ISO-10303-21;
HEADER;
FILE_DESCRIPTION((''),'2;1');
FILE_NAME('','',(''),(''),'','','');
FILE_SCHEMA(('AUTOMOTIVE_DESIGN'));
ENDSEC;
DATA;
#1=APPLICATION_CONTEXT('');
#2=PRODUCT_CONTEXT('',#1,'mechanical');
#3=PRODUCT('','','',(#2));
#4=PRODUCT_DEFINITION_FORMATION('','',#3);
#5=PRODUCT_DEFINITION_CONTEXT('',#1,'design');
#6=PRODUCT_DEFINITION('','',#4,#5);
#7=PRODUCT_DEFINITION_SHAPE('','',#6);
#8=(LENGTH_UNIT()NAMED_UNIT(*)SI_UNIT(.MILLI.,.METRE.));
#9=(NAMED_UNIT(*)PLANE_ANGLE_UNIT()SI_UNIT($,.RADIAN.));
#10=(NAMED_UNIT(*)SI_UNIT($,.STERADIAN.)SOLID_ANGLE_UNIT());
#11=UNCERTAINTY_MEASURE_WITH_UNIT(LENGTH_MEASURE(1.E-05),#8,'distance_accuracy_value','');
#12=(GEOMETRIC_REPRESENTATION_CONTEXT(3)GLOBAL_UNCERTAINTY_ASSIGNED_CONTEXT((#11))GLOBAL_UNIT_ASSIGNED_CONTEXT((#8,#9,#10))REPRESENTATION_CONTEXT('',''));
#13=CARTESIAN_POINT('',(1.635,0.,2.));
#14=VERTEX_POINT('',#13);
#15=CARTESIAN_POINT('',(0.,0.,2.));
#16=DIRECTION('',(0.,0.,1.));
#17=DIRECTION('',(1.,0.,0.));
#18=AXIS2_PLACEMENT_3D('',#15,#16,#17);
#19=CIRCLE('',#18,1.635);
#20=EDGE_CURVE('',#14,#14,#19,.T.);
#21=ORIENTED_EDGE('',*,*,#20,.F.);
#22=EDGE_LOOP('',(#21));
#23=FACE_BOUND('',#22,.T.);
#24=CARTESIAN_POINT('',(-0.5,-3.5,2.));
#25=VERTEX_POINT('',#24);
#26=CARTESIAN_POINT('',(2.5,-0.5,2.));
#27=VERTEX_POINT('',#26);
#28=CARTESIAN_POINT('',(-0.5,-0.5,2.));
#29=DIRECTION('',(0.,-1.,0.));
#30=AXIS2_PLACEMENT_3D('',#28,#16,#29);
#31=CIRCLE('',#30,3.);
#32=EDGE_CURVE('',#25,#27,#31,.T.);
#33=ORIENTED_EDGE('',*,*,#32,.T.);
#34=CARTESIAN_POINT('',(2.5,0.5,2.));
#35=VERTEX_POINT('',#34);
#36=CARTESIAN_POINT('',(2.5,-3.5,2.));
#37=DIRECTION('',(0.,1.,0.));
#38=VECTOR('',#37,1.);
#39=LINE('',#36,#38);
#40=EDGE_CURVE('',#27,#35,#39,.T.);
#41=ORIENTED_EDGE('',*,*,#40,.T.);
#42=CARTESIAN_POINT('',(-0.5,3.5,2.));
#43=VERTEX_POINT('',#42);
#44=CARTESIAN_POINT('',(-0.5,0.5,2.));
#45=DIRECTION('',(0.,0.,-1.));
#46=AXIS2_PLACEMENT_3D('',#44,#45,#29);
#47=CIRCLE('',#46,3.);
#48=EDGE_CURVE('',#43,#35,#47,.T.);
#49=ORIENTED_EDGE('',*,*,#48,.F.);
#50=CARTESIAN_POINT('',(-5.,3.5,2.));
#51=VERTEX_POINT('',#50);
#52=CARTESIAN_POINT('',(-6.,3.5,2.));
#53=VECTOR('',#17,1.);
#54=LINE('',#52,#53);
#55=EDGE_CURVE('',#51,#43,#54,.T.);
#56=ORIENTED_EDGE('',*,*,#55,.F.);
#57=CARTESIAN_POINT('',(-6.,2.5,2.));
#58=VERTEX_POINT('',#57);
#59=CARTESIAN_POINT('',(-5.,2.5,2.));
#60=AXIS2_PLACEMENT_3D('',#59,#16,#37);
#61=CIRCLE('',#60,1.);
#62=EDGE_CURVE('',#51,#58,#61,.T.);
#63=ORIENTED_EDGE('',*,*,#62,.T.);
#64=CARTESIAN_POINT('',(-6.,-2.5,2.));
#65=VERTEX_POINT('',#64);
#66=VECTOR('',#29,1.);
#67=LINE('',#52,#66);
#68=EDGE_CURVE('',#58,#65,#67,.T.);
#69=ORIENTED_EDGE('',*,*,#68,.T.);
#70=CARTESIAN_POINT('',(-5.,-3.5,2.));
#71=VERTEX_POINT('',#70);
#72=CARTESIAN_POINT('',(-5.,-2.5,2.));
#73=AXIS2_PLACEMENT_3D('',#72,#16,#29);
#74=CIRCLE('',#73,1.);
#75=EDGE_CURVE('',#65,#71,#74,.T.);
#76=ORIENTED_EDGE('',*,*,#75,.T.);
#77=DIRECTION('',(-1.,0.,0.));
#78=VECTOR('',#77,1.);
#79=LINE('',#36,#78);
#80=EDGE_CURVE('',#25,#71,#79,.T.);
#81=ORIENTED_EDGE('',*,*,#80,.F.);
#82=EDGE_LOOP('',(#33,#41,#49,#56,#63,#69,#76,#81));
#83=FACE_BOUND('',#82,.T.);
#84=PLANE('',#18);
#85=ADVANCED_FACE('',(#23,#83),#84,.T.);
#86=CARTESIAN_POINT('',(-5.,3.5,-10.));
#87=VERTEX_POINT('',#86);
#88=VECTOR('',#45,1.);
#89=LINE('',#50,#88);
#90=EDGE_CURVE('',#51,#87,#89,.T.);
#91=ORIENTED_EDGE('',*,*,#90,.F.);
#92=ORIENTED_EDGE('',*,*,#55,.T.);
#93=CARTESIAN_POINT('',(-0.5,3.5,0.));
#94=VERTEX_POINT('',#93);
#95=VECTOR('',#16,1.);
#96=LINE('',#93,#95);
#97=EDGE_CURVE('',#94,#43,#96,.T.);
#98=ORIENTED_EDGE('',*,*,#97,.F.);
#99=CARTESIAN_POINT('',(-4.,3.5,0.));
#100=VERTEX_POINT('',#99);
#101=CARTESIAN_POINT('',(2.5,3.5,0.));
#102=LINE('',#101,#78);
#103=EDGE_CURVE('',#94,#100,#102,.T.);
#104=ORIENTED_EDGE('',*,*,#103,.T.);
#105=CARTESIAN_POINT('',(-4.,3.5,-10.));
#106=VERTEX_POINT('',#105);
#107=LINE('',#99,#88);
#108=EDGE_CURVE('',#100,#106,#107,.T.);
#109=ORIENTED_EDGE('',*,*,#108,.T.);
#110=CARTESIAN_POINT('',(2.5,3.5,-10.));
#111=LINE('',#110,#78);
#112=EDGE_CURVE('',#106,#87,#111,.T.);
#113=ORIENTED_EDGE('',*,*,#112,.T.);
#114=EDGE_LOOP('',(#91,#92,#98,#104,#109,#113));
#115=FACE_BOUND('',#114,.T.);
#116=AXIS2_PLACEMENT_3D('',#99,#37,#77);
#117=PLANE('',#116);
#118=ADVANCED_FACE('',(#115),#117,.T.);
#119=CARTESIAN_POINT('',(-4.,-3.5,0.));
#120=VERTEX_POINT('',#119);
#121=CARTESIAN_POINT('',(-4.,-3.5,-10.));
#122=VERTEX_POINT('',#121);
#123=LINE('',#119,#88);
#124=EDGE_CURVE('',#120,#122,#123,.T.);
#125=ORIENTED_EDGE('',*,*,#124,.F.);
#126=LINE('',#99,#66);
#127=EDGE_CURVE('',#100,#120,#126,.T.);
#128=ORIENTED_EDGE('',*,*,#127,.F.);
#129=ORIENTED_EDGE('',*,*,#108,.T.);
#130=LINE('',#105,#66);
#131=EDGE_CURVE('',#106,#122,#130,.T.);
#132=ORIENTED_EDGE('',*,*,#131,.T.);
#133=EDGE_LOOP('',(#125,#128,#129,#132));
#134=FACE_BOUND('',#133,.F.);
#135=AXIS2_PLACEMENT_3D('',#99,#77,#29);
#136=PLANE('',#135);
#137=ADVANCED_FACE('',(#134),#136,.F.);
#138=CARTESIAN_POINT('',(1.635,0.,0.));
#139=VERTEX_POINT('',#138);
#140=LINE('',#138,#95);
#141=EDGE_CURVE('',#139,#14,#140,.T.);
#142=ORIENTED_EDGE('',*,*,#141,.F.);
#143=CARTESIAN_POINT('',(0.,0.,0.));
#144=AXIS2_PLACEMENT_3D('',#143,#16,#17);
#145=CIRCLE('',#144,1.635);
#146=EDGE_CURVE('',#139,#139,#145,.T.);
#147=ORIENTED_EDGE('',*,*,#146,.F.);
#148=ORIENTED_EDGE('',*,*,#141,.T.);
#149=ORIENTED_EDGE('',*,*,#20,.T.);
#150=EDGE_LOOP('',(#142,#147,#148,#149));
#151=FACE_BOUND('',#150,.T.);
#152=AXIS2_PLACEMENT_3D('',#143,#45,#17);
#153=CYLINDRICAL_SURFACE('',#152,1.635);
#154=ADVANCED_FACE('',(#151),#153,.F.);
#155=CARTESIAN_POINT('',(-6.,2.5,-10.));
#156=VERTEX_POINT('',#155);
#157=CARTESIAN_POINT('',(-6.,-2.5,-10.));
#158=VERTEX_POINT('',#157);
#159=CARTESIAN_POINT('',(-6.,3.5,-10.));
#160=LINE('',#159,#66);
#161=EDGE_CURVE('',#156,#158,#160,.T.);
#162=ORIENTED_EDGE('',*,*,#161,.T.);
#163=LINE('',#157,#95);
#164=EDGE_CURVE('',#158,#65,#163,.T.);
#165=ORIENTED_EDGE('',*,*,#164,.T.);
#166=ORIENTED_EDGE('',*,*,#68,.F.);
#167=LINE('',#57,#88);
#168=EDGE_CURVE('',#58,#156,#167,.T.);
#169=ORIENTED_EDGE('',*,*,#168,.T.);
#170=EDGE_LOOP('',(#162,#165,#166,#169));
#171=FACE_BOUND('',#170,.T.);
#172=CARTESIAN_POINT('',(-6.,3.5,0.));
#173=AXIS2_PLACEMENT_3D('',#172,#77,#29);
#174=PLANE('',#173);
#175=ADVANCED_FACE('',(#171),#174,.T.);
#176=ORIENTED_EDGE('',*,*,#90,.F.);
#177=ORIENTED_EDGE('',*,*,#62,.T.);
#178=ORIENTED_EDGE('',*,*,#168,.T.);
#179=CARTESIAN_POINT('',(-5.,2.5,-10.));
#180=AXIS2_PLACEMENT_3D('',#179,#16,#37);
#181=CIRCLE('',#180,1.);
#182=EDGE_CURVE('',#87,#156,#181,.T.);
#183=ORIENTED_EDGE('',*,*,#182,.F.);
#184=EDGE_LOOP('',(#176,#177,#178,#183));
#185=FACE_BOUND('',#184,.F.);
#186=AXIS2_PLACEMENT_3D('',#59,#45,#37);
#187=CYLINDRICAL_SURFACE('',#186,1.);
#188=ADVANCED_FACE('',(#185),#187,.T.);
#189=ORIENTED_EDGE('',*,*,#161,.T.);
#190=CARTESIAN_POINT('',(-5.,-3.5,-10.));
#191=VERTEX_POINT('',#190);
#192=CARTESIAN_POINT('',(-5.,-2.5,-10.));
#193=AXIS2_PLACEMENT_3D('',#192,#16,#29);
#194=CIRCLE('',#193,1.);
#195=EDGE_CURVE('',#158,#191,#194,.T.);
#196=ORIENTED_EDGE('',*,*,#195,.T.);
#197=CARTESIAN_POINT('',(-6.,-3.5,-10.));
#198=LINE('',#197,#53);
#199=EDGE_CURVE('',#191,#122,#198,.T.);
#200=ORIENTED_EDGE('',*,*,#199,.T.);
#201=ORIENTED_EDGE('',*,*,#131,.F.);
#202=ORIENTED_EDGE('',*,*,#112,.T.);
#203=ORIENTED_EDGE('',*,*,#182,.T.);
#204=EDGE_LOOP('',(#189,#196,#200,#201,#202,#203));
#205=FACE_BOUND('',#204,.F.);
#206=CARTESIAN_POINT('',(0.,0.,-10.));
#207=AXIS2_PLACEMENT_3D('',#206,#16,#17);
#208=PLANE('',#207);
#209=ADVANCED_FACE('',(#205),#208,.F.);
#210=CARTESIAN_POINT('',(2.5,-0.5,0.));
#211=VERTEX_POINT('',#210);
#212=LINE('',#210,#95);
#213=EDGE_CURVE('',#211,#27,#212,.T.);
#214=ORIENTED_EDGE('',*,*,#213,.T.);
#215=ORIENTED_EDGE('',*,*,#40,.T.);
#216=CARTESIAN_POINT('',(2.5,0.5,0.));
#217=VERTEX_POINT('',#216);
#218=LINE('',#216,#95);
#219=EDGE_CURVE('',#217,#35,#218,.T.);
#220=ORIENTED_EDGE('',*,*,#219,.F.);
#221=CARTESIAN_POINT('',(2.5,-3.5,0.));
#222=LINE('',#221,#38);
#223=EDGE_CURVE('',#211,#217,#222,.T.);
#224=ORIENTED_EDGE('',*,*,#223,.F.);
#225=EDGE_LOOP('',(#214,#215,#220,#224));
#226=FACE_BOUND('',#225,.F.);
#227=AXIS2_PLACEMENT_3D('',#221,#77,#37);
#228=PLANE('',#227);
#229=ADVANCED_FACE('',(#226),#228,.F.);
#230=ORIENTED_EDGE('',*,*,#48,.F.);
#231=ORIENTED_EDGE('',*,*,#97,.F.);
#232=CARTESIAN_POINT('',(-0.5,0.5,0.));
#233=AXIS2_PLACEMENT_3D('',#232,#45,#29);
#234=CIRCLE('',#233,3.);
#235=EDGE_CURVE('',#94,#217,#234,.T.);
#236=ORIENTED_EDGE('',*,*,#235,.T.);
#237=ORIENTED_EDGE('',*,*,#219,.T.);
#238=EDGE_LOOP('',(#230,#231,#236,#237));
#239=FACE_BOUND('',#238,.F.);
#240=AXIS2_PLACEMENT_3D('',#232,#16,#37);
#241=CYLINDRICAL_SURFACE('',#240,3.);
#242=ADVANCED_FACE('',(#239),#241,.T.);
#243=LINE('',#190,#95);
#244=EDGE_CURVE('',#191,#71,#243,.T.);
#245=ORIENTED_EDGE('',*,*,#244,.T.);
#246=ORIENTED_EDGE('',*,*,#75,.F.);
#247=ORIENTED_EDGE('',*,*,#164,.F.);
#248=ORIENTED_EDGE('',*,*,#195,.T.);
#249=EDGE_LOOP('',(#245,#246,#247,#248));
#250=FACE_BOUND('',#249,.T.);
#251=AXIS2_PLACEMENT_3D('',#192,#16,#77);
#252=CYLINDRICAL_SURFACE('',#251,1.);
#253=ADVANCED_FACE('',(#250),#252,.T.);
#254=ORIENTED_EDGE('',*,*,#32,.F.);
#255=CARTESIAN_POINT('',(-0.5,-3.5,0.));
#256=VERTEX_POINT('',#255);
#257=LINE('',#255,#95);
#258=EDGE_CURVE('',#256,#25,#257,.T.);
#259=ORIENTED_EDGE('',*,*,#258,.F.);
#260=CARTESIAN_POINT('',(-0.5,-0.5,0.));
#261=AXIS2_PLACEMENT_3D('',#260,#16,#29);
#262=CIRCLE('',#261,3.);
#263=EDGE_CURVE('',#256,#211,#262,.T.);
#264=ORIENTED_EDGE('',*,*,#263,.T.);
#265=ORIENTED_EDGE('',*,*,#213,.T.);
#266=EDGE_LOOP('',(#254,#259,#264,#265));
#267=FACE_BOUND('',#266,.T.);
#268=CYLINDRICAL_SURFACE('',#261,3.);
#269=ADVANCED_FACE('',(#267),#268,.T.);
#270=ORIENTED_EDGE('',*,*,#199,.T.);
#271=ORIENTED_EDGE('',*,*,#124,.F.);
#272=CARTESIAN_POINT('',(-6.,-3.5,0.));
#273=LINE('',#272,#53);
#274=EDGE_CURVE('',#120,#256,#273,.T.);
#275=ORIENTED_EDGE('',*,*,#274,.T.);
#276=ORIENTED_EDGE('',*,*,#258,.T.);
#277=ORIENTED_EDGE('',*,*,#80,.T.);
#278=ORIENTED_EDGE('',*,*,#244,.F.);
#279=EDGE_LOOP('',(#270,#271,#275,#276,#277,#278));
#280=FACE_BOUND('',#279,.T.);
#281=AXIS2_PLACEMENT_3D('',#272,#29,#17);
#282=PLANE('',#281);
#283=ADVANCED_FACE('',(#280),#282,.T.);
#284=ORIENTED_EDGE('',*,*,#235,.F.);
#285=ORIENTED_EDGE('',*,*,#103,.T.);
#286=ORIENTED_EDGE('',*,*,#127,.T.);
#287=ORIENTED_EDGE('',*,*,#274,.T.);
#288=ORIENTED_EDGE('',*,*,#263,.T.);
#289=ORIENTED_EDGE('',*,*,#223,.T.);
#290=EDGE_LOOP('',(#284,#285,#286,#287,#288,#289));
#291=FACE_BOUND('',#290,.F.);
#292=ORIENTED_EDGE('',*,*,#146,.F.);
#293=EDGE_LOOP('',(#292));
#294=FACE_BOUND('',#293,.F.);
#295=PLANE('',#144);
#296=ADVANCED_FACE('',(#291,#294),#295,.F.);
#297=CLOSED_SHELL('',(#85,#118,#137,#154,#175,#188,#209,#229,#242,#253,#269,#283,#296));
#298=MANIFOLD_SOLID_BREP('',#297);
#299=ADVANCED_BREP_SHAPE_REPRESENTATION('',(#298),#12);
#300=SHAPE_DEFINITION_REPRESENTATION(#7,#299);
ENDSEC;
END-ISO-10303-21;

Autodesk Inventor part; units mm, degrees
ref_plane "YZ Plane" through (0, 0, 0) normal (1, 0, 0) x (0, 1, 0)
ref_plane "XZ Plane" through (0, 0, 0) normal (0, 1, 0) x (-1, 0, 0)
ref_plane "XY Plane" through (0, 0, 0) normal (0, 0, 1) x (1, 0, 0)
sketch "スケッチ1" plane through (0, 0, 0) normal (0, 0, 1) x (1, 0, 0)
  circle A0 centre (0, 0) radius 1.635
  line L0 (-6, -3.5) -> (2.5, -3.5)
  line L1 (2.5, -3.5) -> (2.5, 3.5)
  line L2 (2.5, 3.5) -> (-6, 3.5)
  line L3 (-6, 3.5) -> (-6, -3.5)
  line L4 (-6, -3.5) -> (2.5, 3.5) construction
  line L5 (2.5, -3.5) -> (-6, 3.5) construction
  line L6 (-6, 0) -> (2.5, 0) construction
  line L7 (-4, 3.5) -> (-4, -3.5)
  point P0 (-1.75, 0)
  dimension "d0" = 3.27
  dimension "d1" = 7
  dimension "d2" = 2.5
  dimension "d3" = 6
  dimension "d6" = 2
extrude "押し出し1" add sketch "スケッチ1" along normal blind 2
extrude "押し出し2" add sketch "スケッチ1" against normal blind 10 contours L3 L2 L7 L0
fillet "フィレット1" radius 3 2 edges at (2.5, 3.5, 1) (2.5, -3.5, 1)
fillet "フィレット2" radius 1 2 edges at (-6, -3.5, -4) (-6, 3.5, -4)
properties part number "guide_link"
